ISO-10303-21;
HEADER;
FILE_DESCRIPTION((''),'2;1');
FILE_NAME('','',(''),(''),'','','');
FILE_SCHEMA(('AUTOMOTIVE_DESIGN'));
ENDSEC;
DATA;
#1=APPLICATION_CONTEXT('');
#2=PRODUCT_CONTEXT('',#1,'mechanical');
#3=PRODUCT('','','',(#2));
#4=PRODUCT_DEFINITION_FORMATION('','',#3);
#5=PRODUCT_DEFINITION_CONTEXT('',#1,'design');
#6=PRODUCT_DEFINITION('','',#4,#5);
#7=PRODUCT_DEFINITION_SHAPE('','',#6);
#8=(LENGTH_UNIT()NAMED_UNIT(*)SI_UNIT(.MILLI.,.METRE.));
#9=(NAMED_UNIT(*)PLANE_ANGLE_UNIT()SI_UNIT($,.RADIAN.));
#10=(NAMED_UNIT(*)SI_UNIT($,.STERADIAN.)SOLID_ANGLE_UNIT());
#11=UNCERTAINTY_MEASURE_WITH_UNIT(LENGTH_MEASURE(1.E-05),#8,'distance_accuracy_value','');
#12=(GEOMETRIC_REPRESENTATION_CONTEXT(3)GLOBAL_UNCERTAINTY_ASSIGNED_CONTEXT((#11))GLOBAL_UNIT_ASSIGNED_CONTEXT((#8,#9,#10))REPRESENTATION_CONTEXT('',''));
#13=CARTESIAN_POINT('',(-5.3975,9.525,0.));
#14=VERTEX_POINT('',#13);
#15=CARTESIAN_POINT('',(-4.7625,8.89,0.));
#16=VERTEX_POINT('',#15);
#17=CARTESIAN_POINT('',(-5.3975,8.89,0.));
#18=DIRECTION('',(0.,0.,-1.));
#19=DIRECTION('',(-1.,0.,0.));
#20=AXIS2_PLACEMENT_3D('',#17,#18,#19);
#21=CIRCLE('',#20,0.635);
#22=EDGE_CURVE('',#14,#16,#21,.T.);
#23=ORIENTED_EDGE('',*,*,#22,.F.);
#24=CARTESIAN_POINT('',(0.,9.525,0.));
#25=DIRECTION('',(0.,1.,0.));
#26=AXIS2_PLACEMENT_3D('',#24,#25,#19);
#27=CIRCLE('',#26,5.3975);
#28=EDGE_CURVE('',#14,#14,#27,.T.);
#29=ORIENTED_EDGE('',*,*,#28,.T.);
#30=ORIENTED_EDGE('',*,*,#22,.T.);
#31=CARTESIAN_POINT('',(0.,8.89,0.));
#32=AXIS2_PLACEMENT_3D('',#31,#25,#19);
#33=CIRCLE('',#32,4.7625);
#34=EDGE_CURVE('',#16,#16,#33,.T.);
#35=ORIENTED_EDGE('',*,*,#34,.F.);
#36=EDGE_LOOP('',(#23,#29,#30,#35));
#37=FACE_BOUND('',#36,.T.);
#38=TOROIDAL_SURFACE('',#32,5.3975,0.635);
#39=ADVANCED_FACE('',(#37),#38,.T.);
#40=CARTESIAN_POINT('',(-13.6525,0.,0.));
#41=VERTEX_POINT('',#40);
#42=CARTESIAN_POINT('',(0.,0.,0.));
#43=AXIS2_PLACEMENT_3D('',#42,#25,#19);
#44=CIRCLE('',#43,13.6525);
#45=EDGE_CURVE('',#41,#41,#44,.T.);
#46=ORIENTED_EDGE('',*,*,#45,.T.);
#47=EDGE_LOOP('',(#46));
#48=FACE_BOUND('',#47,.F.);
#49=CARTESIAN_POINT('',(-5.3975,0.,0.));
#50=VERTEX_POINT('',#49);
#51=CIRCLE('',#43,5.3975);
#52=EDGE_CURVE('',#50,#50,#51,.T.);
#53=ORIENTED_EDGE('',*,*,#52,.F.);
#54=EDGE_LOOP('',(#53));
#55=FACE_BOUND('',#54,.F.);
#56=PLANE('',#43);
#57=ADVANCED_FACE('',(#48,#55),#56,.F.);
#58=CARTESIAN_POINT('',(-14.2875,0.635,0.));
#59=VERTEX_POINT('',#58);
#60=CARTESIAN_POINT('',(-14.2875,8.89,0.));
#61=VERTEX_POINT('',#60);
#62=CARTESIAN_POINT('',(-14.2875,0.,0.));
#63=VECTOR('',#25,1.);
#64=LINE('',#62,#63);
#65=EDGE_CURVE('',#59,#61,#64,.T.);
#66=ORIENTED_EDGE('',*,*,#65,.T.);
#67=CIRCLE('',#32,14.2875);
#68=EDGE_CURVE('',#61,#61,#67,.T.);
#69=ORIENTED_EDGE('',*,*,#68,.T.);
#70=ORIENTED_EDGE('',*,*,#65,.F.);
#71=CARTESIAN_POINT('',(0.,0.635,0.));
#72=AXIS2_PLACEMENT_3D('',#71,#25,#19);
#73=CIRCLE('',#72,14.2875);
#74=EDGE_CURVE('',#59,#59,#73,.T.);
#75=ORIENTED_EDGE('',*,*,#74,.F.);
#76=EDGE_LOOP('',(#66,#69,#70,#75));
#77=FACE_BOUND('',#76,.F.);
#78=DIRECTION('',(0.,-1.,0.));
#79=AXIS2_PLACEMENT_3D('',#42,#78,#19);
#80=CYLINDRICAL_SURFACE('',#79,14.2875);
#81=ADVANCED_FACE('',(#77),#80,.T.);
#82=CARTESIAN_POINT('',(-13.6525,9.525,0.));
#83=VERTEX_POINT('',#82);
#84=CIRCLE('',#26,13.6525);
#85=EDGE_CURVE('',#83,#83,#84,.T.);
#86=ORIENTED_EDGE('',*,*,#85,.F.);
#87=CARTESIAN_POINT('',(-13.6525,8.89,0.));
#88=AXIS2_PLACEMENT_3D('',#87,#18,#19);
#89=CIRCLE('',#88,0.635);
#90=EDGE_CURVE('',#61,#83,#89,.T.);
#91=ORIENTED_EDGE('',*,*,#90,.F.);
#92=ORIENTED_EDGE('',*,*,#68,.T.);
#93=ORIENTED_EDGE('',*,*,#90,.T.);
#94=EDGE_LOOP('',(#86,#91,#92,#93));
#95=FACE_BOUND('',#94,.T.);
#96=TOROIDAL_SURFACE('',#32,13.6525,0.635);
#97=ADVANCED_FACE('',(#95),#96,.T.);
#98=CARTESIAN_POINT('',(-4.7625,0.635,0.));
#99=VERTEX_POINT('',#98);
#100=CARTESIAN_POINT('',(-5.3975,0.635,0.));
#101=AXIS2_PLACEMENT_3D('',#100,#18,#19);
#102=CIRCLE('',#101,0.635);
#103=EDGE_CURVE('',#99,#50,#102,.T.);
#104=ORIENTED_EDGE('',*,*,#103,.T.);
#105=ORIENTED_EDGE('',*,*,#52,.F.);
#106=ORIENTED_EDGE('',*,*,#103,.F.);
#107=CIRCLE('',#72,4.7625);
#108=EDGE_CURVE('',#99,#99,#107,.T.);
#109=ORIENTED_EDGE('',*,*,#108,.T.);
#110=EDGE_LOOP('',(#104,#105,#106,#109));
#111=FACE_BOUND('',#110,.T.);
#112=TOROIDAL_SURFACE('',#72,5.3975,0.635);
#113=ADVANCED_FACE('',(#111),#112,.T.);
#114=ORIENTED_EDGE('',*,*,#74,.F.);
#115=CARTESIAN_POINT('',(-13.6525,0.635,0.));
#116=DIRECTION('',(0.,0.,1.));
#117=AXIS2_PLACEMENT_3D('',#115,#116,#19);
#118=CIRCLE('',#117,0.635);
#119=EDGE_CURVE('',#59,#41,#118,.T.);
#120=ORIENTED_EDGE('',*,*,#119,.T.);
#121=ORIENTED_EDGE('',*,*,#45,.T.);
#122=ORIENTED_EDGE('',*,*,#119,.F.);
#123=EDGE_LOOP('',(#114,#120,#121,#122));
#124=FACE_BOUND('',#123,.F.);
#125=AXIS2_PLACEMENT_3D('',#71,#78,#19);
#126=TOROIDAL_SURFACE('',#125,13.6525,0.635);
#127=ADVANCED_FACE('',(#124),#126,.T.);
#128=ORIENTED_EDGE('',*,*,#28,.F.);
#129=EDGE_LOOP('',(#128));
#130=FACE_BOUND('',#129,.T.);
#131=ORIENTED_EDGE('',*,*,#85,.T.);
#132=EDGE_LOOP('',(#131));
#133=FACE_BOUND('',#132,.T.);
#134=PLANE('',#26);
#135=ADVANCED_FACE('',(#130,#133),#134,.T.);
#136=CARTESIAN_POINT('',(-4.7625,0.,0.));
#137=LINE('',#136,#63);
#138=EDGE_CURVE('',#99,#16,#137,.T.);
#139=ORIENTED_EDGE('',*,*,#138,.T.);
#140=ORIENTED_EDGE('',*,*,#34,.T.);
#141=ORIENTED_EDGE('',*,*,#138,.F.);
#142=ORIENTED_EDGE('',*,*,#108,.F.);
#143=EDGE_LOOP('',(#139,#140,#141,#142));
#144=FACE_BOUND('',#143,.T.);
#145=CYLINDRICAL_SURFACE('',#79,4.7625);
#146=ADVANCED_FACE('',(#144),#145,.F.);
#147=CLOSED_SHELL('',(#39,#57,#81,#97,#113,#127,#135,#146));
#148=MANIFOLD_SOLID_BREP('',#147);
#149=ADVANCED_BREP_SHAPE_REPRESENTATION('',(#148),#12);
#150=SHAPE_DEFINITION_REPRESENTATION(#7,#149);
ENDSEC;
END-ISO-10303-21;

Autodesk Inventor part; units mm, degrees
ref_plane "YZ Plane" through (0, 0, 0) normal (1, 0, 0) x (0, 1, 0)
ref_plane "XZ Plane" through (0, 0, 0) normal (0, 1, 0) x (-1, 0, 0)
ref_plane "XY Plane" through (0, 0, 0) normal (0, 0, 1) x (1, 0, 0)
sketch "Sketch1" plane through (0, 0, 0) normal (0, 1, 0) x (-1, 0, 0)
  circle A0 centre (0, 0) radius 4.7625
  circle A1 centre (0, 0) radius 14.2875
  dimension "d0" = 9.525
  dimension "d1" = 28.575
extrude "Extrusion1" add sketch "Sketch1" along normal blind 9.525
fillet "Fillet1" radius 0.635 1 edges at (14.2875, 9.525, 0)
fillet "Fillet2" radius 0.635 1 edges at (14.2875, 0, 0)
fillet "Fillet3" radius 0.635 1 edges at (4.7625, 9.525, 0)
fillet "Fillet4" radius 0.635 1 edges at (4.7625, 0, 0)
properties part number "1614zz bearing"
